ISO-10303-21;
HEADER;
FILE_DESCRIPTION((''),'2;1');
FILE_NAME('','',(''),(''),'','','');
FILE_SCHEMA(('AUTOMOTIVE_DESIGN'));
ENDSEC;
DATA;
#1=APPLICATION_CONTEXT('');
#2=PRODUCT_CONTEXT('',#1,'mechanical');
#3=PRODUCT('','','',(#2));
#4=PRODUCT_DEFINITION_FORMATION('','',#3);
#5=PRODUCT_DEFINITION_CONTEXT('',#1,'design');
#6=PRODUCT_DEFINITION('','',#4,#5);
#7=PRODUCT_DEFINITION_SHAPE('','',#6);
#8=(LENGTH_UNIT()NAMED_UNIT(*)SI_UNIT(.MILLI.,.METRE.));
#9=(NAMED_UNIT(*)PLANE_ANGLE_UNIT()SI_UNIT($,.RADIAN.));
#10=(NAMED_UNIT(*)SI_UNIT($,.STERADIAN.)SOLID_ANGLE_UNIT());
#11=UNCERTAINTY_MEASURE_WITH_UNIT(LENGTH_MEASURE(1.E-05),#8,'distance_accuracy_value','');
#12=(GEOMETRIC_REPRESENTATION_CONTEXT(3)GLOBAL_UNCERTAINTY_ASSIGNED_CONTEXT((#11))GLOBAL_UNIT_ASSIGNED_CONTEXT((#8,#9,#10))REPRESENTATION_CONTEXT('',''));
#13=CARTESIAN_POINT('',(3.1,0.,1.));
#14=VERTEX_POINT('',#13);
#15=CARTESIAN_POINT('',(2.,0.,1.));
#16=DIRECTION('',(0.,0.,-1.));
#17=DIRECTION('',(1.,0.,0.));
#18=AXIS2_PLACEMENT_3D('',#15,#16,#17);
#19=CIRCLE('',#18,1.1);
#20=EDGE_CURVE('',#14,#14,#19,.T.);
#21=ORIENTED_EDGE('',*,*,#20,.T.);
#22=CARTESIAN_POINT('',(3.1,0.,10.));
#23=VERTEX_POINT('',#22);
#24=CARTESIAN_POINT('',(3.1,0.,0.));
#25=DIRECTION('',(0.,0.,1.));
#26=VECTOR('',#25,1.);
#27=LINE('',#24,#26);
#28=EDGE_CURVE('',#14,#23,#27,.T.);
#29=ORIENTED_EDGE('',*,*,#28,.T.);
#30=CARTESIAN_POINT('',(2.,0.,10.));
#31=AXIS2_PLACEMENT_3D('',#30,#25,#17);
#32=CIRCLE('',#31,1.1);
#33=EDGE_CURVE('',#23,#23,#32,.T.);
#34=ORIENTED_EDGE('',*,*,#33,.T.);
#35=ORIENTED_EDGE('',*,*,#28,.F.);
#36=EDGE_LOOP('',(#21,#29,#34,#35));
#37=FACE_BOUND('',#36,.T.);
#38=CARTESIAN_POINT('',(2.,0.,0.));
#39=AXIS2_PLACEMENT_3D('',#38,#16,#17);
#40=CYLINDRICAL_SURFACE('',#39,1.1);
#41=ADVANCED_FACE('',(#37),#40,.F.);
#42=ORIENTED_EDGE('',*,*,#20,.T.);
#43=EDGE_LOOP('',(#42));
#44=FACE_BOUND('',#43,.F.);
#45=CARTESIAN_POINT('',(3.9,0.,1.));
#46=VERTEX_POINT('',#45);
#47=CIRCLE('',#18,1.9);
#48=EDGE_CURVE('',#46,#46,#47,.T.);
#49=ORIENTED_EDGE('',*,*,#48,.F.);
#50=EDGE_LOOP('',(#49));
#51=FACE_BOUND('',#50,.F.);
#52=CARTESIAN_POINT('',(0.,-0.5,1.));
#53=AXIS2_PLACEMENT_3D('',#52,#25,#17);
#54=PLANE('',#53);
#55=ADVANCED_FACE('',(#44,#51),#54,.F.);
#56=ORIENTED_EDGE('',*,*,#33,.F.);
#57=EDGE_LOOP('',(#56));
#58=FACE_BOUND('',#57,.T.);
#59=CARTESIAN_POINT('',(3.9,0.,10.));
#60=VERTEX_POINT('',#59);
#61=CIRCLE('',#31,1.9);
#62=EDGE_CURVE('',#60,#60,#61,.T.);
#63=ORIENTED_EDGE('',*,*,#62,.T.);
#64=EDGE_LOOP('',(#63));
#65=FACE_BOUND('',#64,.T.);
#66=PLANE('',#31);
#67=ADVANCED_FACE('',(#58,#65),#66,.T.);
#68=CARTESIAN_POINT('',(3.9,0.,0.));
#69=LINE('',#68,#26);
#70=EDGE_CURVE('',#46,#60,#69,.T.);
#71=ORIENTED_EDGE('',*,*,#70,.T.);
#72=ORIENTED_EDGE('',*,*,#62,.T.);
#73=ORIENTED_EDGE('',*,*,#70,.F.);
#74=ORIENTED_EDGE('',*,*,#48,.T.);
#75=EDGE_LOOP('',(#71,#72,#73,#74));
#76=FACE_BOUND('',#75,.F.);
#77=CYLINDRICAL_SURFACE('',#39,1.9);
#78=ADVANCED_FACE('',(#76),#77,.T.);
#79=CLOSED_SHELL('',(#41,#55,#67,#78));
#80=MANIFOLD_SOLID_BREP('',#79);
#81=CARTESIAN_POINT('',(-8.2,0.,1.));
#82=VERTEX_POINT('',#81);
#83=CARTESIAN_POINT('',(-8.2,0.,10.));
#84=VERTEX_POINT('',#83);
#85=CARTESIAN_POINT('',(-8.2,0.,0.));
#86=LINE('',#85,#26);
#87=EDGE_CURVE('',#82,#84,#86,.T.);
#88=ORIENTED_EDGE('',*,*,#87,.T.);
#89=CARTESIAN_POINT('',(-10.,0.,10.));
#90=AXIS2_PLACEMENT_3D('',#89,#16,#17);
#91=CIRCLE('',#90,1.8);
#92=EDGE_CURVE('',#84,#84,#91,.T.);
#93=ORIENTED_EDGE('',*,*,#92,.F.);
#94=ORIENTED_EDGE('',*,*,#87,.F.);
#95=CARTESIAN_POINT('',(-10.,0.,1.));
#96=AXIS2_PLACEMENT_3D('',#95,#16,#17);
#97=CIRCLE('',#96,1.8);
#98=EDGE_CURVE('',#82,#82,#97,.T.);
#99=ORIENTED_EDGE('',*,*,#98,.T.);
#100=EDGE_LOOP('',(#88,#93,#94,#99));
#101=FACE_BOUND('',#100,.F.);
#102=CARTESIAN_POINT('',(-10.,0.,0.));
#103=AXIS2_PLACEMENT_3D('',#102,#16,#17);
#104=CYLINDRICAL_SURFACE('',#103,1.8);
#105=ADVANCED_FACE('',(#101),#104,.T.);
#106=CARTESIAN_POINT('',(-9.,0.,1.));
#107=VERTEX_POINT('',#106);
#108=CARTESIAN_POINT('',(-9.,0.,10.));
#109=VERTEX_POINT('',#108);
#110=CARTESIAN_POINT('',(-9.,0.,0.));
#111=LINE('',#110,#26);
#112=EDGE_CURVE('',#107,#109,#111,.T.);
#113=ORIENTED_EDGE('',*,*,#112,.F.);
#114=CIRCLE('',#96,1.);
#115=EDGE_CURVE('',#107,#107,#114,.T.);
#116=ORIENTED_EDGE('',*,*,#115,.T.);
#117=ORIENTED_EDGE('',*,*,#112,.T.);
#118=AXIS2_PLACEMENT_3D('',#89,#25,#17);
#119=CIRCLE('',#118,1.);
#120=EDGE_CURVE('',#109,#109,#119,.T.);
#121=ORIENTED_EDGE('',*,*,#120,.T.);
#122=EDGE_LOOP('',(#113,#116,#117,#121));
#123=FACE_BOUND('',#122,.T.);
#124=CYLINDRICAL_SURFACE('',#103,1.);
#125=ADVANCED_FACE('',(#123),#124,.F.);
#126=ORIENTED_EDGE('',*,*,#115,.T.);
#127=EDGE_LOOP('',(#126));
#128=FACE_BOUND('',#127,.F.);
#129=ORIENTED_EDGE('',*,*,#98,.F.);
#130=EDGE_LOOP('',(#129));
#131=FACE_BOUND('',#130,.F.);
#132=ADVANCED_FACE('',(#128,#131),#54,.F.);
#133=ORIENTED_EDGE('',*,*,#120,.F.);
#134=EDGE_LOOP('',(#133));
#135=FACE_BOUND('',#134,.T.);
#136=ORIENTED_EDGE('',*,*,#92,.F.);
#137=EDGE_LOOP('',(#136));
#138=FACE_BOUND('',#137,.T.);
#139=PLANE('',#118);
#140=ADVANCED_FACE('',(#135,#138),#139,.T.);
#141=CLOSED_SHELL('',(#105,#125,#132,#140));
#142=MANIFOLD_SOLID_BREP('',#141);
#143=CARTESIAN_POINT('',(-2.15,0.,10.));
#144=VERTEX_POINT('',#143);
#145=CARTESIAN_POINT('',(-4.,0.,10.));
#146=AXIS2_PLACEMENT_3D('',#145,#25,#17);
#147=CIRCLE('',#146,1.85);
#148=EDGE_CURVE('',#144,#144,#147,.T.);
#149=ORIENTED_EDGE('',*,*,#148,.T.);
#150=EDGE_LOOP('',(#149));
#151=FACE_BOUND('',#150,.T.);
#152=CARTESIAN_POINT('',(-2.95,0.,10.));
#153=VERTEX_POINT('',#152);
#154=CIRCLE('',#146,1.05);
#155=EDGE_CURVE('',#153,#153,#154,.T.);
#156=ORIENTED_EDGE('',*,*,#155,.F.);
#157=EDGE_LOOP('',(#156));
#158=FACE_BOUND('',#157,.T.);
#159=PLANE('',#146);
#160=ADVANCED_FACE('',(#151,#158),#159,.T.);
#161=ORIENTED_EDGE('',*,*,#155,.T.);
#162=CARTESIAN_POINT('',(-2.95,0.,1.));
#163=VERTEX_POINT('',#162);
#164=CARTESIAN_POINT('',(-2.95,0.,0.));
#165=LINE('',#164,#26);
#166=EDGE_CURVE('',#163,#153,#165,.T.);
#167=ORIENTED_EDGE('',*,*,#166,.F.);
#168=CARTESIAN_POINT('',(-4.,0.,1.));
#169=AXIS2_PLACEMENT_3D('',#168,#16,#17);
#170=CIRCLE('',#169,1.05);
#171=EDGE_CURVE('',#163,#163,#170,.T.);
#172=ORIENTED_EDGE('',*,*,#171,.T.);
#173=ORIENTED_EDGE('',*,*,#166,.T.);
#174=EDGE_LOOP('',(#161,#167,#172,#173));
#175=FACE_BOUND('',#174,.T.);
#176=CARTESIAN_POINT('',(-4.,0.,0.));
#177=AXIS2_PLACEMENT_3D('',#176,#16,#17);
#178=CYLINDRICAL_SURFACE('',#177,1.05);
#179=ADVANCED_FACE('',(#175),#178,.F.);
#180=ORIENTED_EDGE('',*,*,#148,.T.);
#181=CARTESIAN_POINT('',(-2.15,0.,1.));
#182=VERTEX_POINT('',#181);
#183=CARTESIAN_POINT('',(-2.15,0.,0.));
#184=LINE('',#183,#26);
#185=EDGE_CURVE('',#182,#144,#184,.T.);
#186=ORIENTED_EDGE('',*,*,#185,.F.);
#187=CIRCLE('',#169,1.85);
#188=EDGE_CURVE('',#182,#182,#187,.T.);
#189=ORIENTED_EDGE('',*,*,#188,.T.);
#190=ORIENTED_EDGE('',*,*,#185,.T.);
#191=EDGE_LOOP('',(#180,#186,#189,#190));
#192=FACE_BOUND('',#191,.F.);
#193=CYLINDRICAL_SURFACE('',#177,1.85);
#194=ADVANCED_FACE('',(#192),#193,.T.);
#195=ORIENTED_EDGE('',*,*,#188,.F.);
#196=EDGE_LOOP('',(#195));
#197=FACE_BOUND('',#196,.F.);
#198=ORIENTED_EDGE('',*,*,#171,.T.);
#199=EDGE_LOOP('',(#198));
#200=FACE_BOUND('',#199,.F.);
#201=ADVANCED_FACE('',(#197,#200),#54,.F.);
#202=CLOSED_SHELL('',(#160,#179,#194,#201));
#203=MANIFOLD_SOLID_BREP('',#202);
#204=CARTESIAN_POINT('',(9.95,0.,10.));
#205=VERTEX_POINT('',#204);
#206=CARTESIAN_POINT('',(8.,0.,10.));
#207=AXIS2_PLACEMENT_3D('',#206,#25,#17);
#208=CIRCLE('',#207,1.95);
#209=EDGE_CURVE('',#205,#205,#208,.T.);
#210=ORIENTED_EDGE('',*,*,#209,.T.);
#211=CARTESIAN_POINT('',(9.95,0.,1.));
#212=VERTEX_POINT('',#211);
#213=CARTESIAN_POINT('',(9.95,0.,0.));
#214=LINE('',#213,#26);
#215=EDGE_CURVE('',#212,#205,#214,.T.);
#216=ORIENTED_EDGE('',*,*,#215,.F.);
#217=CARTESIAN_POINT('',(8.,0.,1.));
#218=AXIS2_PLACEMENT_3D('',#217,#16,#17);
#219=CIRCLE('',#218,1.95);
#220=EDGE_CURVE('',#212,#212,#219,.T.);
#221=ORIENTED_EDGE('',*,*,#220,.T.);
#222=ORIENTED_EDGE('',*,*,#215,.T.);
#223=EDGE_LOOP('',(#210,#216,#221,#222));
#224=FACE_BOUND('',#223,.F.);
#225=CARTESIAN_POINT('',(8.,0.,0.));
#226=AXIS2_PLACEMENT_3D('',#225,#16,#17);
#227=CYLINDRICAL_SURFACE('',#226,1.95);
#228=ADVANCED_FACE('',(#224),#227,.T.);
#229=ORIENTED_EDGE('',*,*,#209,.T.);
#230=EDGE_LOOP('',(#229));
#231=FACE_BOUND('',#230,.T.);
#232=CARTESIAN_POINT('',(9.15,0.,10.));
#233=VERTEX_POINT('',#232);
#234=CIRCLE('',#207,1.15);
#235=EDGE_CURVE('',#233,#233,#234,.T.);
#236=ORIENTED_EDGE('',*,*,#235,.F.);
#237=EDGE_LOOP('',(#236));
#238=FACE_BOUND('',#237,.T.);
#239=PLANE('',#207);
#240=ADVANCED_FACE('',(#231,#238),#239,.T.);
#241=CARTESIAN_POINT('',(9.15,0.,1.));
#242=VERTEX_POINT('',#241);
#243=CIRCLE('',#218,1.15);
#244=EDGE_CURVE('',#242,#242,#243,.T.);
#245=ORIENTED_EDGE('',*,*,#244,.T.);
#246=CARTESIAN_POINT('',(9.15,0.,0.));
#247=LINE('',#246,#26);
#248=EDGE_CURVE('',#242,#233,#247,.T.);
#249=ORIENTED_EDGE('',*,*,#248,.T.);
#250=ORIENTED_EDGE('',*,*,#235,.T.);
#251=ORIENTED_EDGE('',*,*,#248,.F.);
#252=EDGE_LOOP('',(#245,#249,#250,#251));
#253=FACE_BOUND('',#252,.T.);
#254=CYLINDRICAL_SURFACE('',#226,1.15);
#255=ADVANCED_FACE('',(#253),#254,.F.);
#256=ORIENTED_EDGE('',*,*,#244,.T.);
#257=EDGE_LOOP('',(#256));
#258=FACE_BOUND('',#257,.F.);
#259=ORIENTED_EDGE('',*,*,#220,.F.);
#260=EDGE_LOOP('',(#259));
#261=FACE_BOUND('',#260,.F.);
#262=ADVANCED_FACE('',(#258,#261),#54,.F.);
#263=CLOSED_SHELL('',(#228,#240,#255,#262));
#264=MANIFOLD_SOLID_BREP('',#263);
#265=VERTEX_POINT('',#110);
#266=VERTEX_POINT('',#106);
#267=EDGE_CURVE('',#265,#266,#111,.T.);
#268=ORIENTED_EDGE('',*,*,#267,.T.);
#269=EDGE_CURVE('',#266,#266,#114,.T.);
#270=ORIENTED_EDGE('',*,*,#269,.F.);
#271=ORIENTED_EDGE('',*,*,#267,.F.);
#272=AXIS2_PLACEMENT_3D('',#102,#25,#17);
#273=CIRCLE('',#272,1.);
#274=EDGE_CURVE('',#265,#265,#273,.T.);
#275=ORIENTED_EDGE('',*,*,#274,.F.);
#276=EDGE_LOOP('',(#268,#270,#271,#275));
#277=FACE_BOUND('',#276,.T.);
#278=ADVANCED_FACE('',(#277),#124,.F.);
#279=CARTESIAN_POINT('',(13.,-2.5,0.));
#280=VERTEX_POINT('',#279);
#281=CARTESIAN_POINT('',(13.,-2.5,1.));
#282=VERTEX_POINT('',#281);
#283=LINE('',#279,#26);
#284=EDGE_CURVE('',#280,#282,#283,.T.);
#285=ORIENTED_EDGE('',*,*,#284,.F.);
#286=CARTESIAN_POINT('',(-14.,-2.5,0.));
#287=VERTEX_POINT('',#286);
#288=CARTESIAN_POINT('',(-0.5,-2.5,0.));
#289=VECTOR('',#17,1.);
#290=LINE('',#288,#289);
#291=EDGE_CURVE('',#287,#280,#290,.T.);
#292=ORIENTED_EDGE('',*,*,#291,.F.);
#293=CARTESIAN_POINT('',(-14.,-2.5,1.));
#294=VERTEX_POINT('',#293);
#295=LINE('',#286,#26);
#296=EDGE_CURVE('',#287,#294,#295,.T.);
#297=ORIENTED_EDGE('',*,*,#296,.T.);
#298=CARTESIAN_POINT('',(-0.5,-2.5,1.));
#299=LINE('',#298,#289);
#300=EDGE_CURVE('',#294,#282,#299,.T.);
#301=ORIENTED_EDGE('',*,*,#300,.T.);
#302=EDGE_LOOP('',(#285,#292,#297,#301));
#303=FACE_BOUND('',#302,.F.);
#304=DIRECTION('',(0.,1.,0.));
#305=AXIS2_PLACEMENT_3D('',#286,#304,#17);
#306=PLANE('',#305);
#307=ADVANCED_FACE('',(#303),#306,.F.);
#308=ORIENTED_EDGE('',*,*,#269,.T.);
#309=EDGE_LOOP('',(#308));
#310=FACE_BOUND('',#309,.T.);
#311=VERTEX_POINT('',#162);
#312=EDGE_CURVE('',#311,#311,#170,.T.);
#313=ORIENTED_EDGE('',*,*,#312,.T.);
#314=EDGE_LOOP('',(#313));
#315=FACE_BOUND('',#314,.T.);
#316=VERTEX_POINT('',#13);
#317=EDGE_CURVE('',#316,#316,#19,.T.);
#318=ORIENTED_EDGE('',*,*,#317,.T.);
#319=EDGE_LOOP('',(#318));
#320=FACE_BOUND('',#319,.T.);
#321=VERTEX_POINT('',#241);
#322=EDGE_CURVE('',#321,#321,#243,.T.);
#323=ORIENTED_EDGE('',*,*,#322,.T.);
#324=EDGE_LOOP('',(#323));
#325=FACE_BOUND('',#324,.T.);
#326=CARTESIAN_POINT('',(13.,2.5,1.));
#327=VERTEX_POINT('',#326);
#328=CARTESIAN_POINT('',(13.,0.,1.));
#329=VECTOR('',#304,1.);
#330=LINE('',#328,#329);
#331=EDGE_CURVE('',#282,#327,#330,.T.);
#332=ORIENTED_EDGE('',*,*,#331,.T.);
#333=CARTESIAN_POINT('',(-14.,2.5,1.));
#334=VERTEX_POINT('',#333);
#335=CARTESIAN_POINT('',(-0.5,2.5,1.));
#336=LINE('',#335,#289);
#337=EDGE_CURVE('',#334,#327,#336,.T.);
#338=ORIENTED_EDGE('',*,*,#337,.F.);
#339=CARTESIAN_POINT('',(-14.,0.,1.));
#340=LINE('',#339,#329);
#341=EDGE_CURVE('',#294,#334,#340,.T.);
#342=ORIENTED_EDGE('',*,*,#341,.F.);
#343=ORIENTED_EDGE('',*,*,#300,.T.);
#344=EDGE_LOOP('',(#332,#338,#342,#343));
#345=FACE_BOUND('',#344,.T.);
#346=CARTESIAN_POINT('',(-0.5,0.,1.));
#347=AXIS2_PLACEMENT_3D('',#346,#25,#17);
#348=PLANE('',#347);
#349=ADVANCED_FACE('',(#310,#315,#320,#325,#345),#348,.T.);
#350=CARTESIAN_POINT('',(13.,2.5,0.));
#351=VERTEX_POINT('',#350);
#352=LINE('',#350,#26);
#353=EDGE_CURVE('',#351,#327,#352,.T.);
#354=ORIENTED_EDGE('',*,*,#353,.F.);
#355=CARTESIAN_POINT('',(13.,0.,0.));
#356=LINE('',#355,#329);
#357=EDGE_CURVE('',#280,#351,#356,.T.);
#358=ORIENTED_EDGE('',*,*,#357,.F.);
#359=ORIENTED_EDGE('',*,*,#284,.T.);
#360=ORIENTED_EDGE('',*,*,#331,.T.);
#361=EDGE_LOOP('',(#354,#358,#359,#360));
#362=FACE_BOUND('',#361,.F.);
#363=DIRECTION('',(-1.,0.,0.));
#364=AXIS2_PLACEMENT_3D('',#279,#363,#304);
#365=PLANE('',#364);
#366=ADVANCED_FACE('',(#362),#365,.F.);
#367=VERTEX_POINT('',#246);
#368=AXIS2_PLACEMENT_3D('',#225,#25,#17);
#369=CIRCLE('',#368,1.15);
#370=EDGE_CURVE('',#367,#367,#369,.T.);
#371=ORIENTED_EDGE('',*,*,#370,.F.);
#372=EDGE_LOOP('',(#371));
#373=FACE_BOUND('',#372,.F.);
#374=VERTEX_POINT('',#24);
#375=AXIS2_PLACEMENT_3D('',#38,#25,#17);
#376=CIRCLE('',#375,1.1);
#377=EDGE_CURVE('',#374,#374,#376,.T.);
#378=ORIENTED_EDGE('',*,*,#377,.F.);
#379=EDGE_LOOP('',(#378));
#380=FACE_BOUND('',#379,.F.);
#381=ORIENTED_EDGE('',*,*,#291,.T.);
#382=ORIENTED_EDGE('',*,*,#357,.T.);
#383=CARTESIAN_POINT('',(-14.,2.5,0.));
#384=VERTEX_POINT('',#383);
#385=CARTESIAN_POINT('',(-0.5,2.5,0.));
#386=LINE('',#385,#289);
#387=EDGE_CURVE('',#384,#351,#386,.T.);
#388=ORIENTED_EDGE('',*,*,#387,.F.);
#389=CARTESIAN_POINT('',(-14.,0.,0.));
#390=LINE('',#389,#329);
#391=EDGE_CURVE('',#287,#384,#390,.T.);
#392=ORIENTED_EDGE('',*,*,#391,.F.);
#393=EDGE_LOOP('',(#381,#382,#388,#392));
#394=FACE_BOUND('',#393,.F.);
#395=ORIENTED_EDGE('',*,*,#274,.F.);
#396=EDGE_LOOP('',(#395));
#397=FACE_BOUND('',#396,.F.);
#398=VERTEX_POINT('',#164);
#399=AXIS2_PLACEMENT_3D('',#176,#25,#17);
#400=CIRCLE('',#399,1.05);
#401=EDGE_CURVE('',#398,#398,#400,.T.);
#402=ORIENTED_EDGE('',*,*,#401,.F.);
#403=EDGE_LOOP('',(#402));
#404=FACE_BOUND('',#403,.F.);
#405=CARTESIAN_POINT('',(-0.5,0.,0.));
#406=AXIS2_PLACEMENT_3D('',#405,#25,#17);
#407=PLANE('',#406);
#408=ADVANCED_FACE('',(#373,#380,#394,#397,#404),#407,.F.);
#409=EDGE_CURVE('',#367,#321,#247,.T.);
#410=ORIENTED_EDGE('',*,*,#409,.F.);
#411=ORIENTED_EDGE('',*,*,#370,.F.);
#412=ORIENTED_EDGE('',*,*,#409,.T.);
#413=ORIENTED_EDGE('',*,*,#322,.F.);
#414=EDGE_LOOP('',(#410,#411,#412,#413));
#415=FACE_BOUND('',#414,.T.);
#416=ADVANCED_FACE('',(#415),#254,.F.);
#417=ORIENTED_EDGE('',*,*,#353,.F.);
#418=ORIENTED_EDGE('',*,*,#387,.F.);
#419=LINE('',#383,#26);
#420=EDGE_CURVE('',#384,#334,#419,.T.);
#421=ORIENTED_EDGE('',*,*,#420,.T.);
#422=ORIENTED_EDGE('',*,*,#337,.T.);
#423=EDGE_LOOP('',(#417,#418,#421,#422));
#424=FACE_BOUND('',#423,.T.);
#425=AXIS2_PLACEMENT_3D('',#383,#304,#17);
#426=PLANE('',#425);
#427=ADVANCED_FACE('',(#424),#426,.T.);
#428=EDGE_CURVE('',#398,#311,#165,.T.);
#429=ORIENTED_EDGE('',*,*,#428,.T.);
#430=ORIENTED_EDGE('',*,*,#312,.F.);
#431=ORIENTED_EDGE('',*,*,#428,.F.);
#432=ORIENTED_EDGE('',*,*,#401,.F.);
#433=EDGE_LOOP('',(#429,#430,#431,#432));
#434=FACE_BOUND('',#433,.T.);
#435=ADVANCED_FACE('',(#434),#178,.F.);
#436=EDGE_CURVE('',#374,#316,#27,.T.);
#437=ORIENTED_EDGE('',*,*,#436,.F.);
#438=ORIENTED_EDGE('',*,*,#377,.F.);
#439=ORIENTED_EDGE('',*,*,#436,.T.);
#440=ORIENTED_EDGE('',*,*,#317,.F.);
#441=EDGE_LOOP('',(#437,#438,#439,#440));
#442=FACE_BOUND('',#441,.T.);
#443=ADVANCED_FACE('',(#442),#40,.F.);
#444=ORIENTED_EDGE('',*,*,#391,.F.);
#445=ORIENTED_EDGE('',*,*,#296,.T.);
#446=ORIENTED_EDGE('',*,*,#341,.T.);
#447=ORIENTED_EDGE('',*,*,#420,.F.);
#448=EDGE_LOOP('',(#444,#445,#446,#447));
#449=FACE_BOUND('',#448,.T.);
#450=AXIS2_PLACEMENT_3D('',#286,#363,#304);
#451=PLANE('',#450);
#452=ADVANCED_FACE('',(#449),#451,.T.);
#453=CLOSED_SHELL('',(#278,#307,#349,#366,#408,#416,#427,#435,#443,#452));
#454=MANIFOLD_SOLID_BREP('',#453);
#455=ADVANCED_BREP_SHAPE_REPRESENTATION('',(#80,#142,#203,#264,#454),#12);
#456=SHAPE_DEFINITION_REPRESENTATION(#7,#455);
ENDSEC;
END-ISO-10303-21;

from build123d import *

# Parameters (mm, degrees)
BOX_W          = 30
BOX_H          = 5
BOX_DEPTH      = 2
CIRCLE_R       = 1
PAD_DEPTH      = 10
THICKNESS_T    = 0.8
BOX001_W       = 30
BOX001_H       = 5
BOX001_DEPTH   = 2
CIRCLE001_R    = 1.05
PAD001_DEPTH   = 10
THICKNESS001_T = 0.8
BOX002_W       = 30
BOX002_H       = 5
BOX002_DEPTH   = 2
CIRCLE002_R    = 1.1
PAD002_DEPTH   = 10
THICKNESS002_T = 0.8
BOX003_W       = 30
BOX003_H       = 5
BOX003_DEPTH   = 2
CIRCLE003_R    = 1.15
PAD003_DEPTH   = 10
THICKNESS003_T = 0.8
CIRCLE007_R    = 1.1
PAD007_DEPTH   = 10
CIRCLE006_R    = 1.15
PAD006_DEPTH   = 10
CIRCLE005_R    = 1.05
PAD005_DEPTH   = 10
CIRCLE004_R    = 1
PAD004_DEPTH   = 10
BOX004_W       = 27
BOX004_H       = 5
BOX004_DEPTH   = 1


with BuildPart() as cube:
    # Box → Box (new body)
    with BuildSketch(Plane(origin=(-15, -3, -1), x_dir=(1, 0, 0), z_dir=(0, 0, 1))):
        with Locations((15, 2.5)):
            Rectangle(BOX_W, BOX_H)
    extrude(amount=BOX_DEPTH)


with BuildPart() as cut:
    # Circle → Pad (new body)
    with BuildSketch(Plane(origin=(-10, 0, 0), x_dir=(1, 0, 0), z_dir=(0, 0, 1))):
        Circle(CIRCLE_R)
    extrude(amount=PAD_DEPTH)

    # Thickness
    thickness_openings = [cut.faces().sort_by_distance(p)[0] for p in [
        (-10, 0, 10),
    ]]
    offset(amount=THICKNESS_T, openings=thickness_openings, kind=Kind.INTERSECTION)

    # Cut: cut Cube
    add(cube.part, mode=Mode.SUBTRACT)


with BuildPart() as cube001:
    # Box001 → Box001 (new body)
    with BuildSketch(Plane(origin=(-15, -3, -1), x_dir=(1, 0, 0), z_dir=(0, 0, 1))):
        with Locations((15, 2.5)):
            Rectangle(BOX001_W, BOX001_H)
    extrude(amount=BOX001_DEPTH)


with BuildPart() as cut001:
    # Circle001 → Pad001 (new body)
    with BuildSketch(Plane(origin=(-4, 0, 0), x_dir=(1, 0, 0), z_dir=(0, 0, 1))):
        Circle(CIRCLE001_R)
    extrude(amount=PAD001_DEPTH)

    # Thickness001
    thickness001_openings = [cut001.faces().sort_by_distance(p)[0] for p in [
        (-4, 0, 10),
    ]]
    offset(amount=THICKNESS001_T, openings=thickness001_openings)

    # Cut001: cut Cube001
    add(cube001.part, mode=Mode.SUBTRACT)


with BuildPart() as cube002:
    # Box002 → Box002 (new body)
    with BuildSketch(Plane(origin=(-15, -3, -1), x_dir=(1, 0, 0), z_dir=(0, 0, 1))):
        with Locations((15, 2.5)):
            Rectangle(BOX002_W, BOX002_H)
    extrude(amount=BOX002_DEPTH)


with BuildPart() as cut002:
    # Circle002 → Pad002 (new body)
    with BuildSketch(Plane(origin=(2, 0, 0), x_dir=(1, 0, 0), z_dir=(0, 0, 1))):
        Circle(CIRCLE002_R)
    extrude(amount=PAD002_DEPTH)

    # Thickness002
    thickness002_openings = [cut002.faces().sort_by_distance(p)[0] for p in [
        (2, 0, 10),
    ]]
    offset(amount=THICKNESS002_T, openings=thickness002_openings)

    # Cut002: cut Cube002
    add(cube002.part, mode=Mode.SUBTRACT)


with BuildPart() as cube003:
    # Box003 → Box003 (new body)
    with BuildSketch(Plane(origin=(-15, -3, -1), x_dir=(1, 0, 0), z_dir=(0, 0, 1))):
        with Locations((15, 2.5)):
            Rectangle(BOX003_W, BOX003_H)
    extrude(amount=BOX003_DEPTH)


with BuildPart() as cut003:
    # Circle003 → Pad003 (new body)
    with BuildSketch(Plane(origin=(8, 0, 0), x_dir=(1, 0, 0), z_dir=(0, 0, 1))):
        Circle(CIRCLE003_R)
    extrude(amount=PAD003_DEPTH)

    # Thickness003
    thickness003_openings = [cut003.faces().sort_by_distance(p)[0] for p in [
        (8, 0, 10),
    ]]
    offset(amount=THICKNESS003_T, openings=thickness003_openings)

    # Cut003: cut Cube003
    add(cube003.part, mode=Mode.SUBTRACT)


with BuildPart() as pad007:
    # Circle007 → Pad007 (new body)
    with BuildSketch(Plane(origin=(2, 0, 0), x_dir=(1, 0, 0), z_dir=(0, 0, 1))):
        Circle(CIRCLE007_R)
    extrude(amount=PAD007_DEPTH)


with BuildPart() as pad006:
    # Circle006 → Pad006 (new body)
    with BuildSketch(Plane(origin=(8, 0, 0), x_dir=(1, 0, 0), z_dir=(0, 0, 1))):
        Circle(CIRCLE006_R)
    extrude(amount=PAD006_DEPTH)


with BuildPart() as pad005:
    # Circle005 → Pad005 (new body)
    with BuildSketch(Plane(origin=(-4, 0, 0), x_dir=(1, 0, 0), z_dir=(0, 0, 1))):
        Circle(CIRCLE005_R)
    extrude(amount=PAD005_DEPTH)


with BuildPart() as pad004:
    # Circle004 → Pad004 (new body)
    with BuildSketch(Plane(origin=(-10, 0, 0), x_dir=(1, 0, 0), z_dir=(0, 0, 1))):
        Circle(CIRCLE004_R)
    extrude(amount=PAD004_DEPTH)


with BuildPart() as cut007:
    # Box004 → Box004 (new body)
    with BuildSketch(Plane(origin=(-14, -2.5, 0), x_dir=(1, 0, 0), z_dir=(0, 0, 1))):
        with Locations((13.5, 2.5)):
            Rectangle(BOX004_W, BOX004_H)
    extrude(amount=BOX004_DEPTH)

    # Cut004: cut Pad004
    add(pad004.part, mode=Mode.SUBTRACT)

    # Cut005: cut Pad005
    add(pad005.part, mode=Mode.SUBTRACT)

    # Cut006: cut Pad006
    add(pad006.part, mode=Mode.SUBTRACT)

    # Cut007: cut Pad007
    add(pad007.part, mode=Mode.SUBTRACT)


solid = Compound([cut.part, cut001.part, cut002.part, cut003.part, cut007.part])
